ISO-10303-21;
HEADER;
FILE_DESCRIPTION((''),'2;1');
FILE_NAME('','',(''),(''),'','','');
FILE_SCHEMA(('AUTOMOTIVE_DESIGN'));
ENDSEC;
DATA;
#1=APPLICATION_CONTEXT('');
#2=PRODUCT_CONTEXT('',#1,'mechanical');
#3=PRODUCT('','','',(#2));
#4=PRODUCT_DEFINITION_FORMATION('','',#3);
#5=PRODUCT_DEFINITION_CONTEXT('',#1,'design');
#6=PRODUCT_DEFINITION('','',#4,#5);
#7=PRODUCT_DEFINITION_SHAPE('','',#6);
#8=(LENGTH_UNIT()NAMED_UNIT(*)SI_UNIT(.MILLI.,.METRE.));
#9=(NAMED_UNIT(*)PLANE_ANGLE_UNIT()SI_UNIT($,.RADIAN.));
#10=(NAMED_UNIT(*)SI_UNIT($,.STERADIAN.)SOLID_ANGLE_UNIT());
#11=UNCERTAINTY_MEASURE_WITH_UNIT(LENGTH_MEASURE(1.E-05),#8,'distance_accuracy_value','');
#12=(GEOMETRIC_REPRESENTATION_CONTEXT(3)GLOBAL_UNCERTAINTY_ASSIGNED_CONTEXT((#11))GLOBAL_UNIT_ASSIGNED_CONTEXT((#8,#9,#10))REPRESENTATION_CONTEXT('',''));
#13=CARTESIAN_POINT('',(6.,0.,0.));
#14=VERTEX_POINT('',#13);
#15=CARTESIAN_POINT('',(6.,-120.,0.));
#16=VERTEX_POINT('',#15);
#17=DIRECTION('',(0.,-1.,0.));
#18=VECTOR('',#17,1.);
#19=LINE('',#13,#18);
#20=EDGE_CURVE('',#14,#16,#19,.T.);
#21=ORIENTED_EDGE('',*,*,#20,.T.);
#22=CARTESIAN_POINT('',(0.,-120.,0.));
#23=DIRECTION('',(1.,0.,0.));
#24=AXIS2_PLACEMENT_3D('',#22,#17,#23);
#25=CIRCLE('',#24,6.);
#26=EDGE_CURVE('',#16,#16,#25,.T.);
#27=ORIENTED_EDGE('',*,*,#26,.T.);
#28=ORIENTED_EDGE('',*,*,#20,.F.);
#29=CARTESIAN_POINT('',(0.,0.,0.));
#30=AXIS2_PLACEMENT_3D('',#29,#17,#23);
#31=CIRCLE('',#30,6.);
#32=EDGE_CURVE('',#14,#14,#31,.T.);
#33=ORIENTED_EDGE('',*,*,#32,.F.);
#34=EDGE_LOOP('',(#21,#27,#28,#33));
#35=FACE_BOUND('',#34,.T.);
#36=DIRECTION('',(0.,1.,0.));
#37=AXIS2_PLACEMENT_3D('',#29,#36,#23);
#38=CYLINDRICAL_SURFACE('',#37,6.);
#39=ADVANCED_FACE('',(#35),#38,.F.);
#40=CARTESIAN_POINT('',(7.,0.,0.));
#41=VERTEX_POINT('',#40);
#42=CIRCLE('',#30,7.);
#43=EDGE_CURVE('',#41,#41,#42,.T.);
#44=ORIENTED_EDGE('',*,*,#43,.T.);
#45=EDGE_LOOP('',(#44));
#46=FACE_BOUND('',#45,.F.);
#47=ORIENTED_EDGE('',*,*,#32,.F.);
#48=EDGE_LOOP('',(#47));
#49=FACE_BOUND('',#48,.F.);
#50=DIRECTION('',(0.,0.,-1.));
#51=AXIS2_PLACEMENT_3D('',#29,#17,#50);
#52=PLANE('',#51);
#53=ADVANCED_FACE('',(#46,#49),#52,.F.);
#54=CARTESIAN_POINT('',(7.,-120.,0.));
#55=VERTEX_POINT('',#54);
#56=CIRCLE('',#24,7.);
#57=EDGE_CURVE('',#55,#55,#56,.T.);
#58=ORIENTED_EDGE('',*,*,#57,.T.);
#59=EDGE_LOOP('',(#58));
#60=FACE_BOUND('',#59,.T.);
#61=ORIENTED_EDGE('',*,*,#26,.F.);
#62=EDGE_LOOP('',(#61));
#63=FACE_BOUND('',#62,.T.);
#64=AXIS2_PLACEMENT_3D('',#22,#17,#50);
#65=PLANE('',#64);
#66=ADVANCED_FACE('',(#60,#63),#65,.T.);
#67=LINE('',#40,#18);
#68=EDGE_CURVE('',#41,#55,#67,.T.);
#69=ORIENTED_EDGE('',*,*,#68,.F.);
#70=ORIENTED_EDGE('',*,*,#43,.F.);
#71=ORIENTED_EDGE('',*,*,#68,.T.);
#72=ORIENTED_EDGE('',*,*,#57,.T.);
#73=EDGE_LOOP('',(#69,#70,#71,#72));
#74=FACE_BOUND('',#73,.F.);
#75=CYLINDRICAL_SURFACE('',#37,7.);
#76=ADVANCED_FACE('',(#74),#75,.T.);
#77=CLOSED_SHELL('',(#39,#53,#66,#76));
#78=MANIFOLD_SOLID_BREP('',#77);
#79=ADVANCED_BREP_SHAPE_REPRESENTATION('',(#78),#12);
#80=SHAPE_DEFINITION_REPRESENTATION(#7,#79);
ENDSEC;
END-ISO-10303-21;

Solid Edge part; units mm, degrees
sketch "Sketch1" plane through (0, 0, 0) normal (0, -1, 0) x (1, 0, 0)
  circle A0 centre (0, 0) radius 6
  circle A1 centre (0, 0) radius 7
  dimension "D1" = 12
  dimension "D2" = 14
extrude "Protrusion1" add sketch "Sketch1" along normal blind 120
properties material "Carbon Fiber"
